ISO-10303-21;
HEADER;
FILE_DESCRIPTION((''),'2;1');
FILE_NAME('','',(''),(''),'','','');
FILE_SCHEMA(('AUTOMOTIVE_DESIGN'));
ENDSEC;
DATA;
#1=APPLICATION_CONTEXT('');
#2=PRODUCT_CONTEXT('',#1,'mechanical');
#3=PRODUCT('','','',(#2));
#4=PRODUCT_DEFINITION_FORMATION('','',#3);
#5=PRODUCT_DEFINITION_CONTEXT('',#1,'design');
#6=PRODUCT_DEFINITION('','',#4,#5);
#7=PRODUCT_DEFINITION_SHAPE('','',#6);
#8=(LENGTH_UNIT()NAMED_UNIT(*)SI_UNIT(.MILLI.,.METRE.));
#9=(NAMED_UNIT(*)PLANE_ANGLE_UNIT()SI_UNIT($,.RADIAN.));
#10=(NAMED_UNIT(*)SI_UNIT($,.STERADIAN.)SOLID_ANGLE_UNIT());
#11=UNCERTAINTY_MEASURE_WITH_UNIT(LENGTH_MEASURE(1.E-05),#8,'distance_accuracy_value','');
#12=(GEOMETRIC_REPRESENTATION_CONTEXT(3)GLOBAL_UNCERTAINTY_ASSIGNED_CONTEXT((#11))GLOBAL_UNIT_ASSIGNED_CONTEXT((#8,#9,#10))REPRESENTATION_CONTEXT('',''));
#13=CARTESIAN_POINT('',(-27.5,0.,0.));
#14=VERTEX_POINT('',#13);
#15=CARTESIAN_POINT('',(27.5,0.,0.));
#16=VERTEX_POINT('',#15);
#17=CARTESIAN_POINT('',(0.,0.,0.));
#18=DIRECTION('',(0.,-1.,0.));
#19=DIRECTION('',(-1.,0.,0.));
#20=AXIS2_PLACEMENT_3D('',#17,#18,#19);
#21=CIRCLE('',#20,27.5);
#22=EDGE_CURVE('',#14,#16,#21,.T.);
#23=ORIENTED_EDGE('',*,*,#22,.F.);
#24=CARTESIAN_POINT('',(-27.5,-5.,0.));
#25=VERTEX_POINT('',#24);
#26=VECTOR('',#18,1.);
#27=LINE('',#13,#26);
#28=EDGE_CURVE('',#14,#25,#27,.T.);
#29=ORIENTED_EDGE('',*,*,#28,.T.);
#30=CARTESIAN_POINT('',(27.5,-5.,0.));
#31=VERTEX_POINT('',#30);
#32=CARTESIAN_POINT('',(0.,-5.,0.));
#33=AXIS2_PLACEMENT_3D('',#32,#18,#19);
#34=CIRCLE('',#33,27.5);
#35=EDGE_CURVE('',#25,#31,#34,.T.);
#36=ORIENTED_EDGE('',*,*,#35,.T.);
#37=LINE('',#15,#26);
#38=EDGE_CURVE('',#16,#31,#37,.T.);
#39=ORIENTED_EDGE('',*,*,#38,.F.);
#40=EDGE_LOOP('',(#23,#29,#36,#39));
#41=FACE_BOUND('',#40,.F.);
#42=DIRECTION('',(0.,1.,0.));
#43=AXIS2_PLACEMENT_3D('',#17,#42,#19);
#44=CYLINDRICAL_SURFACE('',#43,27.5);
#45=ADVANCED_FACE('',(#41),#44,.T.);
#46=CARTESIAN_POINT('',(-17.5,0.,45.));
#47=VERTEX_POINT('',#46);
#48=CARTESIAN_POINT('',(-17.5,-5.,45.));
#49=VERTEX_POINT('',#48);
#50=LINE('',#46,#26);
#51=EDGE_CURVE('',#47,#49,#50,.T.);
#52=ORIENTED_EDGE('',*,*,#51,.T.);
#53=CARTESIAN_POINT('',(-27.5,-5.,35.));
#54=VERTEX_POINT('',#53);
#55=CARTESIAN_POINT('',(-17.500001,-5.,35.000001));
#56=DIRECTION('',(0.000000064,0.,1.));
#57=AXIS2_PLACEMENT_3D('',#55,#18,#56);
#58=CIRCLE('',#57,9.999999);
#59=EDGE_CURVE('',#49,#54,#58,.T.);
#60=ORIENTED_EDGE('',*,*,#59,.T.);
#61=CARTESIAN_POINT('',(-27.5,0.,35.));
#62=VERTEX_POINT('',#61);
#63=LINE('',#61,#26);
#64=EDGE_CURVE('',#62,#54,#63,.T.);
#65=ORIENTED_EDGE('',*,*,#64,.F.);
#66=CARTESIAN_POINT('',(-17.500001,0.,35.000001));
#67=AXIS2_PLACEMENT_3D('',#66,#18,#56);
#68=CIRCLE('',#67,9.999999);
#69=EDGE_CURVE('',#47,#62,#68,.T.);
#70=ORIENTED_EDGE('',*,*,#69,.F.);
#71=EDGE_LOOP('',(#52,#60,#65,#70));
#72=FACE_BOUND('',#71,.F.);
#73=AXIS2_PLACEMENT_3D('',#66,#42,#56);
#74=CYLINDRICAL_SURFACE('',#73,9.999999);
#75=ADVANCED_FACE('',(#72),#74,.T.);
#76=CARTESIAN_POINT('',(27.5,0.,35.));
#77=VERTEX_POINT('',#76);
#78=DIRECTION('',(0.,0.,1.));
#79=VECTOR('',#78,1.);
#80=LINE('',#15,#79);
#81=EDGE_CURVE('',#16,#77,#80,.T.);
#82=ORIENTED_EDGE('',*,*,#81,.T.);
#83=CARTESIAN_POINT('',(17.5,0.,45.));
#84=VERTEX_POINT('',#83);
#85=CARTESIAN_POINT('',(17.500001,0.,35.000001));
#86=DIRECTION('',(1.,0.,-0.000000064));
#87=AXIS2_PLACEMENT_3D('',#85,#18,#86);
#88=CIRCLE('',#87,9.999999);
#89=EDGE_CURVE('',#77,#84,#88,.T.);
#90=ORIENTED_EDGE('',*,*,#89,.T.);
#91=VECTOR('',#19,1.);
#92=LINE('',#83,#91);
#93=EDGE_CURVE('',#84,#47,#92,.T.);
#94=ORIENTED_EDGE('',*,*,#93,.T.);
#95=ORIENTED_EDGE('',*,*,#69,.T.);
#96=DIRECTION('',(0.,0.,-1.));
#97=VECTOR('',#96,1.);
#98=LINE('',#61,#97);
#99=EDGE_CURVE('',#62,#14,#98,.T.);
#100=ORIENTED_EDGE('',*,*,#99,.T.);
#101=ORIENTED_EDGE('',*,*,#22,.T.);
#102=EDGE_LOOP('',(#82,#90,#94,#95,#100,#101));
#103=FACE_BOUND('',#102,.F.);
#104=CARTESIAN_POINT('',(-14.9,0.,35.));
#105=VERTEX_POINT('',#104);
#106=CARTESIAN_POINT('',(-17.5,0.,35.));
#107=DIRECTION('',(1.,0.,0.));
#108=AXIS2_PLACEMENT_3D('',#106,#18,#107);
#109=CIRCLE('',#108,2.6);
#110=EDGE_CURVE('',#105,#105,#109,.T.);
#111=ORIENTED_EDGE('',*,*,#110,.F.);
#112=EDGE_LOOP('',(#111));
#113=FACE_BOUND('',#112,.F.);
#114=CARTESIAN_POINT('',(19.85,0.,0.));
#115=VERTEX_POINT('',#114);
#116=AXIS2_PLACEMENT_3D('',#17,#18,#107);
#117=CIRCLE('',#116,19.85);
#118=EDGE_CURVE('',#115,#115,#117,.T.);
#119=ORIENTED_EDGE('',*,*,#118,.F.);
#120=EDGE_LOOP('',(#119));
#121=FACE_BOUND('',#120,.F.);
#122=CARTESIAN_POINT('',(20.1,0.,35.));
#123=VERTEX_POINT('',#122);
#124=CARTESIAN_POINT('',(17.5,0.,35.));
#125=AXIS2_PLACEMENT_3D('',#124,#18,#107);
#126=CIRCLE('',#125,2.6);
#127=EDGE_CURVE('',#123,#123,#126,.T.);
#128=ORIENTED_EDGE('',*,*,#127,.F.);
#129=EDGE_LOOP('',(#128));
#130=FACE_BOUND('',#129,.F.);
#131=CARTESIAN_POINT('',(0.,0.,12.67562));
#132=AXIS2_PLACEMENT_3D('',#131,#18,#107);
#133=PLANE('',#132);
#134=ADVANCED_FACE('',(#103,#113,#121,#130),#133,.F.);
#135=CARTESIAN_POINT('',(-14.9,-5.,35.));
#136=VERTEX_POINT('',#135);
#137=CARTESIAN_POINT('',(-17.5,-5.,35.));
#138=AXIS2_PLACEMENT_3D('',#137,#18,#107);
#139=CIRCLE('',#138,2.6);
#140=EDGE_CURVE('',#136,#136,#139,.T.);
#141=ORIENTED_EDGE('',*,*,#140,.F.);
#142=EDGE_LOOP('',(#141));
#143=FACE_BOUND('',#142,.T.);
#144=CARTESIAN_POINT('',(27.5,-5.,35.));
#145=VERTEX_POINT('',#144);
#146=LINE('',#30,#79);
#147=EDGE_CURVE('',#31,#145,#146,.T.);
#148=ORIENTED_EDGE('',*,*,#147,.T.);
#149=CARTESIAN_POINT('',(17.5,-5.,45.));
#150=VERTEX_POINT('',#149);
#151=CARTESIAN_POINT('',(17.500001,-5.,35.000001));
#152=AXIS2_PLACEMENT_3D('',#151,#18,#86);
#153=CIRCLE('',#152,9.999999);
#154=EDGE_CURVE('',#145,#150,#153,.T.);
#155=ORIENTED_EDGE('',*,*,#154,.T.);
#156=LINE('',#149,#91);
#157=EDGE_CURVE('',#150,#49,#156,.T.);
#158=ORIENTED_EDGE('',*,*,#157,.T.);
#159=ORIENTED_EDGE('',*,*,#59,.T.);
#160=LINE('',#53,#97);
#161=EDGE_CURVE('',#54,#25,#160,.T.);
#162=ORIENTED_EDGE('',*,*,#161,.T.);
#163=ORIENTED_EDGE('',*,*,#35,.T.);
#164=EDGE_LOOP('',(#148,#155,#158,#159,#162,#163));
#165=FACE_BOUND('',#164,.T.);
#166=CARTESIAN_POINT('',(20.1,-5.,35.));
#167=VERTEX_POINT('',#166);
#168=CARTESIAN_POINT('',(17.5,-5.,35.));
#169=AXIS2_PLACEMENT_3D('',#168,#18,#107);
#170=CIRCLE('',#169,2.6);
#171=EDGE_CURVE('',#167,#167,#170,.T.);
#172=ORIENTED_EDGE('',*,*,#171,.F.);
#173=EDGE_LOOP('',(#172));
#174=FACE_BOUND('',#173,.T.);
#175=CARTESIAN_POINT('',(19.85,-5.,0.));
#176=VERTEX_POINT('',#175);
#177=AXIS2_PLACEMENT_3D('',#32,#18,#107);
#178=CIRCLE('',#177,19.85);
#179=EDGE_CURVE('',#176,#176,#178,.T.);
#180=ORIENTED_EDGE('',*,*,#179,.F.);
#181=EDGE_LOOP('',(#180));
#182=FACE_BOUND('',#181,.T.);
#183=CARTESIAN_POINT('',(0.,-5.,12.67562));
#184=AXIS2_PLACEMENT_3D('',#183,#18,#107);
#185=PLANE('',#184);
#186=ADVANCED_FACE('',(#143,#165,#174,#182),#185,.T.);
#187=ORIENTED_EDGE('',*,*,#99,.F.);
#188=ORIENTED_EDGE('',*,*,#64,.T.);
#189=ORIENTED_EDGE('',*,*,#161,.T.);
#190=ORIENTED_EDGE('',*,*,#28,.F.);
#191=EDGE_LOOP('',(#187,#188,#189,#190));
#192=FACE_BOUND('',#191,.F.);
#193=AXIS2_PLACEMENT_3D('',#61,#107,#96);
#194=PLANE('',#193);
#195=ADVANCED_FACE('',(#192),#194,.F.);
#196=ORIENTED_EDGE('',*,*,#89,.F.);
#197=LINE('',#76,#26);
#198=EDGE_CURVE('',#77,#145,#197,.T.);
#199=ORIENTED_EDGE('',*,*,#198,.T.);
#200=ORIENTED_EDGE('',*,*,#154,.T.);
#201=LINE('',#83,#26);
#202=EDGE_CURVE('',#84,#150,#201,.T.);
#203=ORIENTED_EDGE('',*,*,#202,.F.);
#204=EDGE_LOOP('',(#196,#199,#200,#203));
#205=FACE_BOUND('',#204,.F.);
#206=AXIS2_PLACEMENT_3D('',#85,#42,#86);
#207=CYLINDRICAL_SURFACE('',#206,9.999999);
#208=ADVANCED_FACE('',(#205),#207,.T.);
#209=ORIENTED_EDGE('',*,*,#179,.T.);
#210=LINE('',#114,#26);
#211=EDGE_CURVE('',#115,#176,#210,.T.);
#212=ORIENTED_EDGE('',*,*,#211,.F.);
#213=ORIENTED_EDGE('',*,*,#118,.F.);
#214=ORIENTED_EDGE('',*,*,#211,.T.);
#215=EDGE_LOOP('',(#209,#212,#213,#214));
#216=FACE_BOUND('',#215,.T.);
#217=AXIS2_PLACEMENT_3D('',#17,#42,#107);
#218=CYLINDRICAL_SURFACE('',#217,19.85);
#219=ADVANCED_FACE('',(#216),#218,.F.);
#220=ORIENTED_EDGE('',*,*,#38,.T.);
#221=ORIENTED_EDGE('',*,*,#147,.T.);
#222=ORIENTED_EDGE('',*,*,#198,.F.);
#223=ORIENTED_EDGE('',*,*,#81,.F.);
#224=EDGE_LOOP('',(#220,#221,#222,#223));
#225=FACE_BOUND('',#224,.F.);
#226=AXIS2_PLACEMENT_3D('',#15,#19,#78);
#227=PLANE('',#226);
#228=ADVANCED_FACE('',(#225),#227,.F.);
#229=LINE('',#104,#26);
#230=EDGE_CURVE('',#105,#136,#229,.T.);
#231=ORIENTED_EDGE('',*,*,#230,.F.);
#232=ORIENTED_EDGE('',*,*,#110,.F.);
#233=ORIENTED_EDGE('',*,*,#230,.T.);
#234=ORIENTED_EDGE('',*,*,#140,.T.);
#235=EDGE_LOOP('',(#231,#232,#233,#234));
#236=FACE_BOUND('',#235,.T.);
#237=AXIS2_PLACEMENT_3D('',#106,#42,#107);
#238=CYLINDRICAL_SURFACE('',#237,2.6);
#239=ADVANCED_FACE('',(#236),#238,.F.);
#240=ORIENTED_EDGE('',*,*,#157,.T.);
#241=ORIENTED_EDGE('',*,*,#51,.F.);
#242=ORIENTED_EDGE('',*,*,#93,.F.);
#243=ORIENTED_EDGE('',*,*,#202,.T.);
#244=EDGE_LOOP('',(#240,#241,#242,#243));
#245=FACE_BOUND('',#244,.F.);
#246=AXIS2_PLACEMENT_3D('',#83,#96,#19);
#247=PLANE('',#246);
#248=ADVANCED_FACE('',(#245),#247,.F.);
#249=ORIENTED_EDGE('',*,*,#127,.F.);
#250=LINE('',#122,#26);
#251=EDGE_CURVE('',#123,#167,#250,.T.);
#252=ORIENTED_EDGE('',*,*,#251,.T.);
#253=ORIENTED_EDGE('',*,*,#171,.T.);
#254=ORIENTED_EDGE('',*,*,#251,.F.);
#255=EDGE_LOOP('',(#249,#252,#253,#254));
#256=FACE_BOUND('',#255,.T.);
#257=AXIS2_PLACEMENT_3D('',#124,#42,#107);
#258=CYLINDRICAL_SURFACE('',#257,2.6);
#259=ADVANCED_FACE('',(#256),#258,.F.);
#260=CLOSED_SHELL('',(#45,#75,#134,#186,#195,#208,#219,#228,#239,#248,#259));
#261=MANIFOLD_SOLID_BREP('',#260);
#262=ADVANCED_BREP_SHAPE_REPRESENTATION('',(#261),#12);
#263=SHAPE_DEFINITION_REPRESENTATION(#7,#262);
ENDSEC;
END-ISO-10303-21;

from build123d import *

# Parameters (mm, degrees)
F0_R     = 19.85
F0_R_2   = 2.6
F1_DEPTH = 5


with BuildPart() as f1:
    # F0 (on Front) → F1 (new body)
    with BuildSketch(Plane.XZ):
        with BuildLine():
            Line((-27.5, 35), (-27.5, 0))
            ThreePointArc((-27.5, 0), (0, -27.5), (27.5, 0))
            Line((27.5, 0), (27.5, 35))
            ThreePointArc((27.5, 35), (24.571068, 42.071068), (17.5, 45))
            Line((17.5, 45), (-17.5, 45))
            ThreePointArc((-17.5, 45), (-24.571068, 42.071068), (-27.5, 35))
        make_face()
        Circle(F0_R, mode=Mode.SUBTRACT)
        with Locations((-17.5, 35)):
            Circle(F0_R_2, mode=Mode.SUBTRACT)
        with Locations((17.5, 35)):
            Circle(F0_R_2, mode=Mode.SUBTRACT)
    extrude(amount=F1_DEPTH)


solid = f1.part
